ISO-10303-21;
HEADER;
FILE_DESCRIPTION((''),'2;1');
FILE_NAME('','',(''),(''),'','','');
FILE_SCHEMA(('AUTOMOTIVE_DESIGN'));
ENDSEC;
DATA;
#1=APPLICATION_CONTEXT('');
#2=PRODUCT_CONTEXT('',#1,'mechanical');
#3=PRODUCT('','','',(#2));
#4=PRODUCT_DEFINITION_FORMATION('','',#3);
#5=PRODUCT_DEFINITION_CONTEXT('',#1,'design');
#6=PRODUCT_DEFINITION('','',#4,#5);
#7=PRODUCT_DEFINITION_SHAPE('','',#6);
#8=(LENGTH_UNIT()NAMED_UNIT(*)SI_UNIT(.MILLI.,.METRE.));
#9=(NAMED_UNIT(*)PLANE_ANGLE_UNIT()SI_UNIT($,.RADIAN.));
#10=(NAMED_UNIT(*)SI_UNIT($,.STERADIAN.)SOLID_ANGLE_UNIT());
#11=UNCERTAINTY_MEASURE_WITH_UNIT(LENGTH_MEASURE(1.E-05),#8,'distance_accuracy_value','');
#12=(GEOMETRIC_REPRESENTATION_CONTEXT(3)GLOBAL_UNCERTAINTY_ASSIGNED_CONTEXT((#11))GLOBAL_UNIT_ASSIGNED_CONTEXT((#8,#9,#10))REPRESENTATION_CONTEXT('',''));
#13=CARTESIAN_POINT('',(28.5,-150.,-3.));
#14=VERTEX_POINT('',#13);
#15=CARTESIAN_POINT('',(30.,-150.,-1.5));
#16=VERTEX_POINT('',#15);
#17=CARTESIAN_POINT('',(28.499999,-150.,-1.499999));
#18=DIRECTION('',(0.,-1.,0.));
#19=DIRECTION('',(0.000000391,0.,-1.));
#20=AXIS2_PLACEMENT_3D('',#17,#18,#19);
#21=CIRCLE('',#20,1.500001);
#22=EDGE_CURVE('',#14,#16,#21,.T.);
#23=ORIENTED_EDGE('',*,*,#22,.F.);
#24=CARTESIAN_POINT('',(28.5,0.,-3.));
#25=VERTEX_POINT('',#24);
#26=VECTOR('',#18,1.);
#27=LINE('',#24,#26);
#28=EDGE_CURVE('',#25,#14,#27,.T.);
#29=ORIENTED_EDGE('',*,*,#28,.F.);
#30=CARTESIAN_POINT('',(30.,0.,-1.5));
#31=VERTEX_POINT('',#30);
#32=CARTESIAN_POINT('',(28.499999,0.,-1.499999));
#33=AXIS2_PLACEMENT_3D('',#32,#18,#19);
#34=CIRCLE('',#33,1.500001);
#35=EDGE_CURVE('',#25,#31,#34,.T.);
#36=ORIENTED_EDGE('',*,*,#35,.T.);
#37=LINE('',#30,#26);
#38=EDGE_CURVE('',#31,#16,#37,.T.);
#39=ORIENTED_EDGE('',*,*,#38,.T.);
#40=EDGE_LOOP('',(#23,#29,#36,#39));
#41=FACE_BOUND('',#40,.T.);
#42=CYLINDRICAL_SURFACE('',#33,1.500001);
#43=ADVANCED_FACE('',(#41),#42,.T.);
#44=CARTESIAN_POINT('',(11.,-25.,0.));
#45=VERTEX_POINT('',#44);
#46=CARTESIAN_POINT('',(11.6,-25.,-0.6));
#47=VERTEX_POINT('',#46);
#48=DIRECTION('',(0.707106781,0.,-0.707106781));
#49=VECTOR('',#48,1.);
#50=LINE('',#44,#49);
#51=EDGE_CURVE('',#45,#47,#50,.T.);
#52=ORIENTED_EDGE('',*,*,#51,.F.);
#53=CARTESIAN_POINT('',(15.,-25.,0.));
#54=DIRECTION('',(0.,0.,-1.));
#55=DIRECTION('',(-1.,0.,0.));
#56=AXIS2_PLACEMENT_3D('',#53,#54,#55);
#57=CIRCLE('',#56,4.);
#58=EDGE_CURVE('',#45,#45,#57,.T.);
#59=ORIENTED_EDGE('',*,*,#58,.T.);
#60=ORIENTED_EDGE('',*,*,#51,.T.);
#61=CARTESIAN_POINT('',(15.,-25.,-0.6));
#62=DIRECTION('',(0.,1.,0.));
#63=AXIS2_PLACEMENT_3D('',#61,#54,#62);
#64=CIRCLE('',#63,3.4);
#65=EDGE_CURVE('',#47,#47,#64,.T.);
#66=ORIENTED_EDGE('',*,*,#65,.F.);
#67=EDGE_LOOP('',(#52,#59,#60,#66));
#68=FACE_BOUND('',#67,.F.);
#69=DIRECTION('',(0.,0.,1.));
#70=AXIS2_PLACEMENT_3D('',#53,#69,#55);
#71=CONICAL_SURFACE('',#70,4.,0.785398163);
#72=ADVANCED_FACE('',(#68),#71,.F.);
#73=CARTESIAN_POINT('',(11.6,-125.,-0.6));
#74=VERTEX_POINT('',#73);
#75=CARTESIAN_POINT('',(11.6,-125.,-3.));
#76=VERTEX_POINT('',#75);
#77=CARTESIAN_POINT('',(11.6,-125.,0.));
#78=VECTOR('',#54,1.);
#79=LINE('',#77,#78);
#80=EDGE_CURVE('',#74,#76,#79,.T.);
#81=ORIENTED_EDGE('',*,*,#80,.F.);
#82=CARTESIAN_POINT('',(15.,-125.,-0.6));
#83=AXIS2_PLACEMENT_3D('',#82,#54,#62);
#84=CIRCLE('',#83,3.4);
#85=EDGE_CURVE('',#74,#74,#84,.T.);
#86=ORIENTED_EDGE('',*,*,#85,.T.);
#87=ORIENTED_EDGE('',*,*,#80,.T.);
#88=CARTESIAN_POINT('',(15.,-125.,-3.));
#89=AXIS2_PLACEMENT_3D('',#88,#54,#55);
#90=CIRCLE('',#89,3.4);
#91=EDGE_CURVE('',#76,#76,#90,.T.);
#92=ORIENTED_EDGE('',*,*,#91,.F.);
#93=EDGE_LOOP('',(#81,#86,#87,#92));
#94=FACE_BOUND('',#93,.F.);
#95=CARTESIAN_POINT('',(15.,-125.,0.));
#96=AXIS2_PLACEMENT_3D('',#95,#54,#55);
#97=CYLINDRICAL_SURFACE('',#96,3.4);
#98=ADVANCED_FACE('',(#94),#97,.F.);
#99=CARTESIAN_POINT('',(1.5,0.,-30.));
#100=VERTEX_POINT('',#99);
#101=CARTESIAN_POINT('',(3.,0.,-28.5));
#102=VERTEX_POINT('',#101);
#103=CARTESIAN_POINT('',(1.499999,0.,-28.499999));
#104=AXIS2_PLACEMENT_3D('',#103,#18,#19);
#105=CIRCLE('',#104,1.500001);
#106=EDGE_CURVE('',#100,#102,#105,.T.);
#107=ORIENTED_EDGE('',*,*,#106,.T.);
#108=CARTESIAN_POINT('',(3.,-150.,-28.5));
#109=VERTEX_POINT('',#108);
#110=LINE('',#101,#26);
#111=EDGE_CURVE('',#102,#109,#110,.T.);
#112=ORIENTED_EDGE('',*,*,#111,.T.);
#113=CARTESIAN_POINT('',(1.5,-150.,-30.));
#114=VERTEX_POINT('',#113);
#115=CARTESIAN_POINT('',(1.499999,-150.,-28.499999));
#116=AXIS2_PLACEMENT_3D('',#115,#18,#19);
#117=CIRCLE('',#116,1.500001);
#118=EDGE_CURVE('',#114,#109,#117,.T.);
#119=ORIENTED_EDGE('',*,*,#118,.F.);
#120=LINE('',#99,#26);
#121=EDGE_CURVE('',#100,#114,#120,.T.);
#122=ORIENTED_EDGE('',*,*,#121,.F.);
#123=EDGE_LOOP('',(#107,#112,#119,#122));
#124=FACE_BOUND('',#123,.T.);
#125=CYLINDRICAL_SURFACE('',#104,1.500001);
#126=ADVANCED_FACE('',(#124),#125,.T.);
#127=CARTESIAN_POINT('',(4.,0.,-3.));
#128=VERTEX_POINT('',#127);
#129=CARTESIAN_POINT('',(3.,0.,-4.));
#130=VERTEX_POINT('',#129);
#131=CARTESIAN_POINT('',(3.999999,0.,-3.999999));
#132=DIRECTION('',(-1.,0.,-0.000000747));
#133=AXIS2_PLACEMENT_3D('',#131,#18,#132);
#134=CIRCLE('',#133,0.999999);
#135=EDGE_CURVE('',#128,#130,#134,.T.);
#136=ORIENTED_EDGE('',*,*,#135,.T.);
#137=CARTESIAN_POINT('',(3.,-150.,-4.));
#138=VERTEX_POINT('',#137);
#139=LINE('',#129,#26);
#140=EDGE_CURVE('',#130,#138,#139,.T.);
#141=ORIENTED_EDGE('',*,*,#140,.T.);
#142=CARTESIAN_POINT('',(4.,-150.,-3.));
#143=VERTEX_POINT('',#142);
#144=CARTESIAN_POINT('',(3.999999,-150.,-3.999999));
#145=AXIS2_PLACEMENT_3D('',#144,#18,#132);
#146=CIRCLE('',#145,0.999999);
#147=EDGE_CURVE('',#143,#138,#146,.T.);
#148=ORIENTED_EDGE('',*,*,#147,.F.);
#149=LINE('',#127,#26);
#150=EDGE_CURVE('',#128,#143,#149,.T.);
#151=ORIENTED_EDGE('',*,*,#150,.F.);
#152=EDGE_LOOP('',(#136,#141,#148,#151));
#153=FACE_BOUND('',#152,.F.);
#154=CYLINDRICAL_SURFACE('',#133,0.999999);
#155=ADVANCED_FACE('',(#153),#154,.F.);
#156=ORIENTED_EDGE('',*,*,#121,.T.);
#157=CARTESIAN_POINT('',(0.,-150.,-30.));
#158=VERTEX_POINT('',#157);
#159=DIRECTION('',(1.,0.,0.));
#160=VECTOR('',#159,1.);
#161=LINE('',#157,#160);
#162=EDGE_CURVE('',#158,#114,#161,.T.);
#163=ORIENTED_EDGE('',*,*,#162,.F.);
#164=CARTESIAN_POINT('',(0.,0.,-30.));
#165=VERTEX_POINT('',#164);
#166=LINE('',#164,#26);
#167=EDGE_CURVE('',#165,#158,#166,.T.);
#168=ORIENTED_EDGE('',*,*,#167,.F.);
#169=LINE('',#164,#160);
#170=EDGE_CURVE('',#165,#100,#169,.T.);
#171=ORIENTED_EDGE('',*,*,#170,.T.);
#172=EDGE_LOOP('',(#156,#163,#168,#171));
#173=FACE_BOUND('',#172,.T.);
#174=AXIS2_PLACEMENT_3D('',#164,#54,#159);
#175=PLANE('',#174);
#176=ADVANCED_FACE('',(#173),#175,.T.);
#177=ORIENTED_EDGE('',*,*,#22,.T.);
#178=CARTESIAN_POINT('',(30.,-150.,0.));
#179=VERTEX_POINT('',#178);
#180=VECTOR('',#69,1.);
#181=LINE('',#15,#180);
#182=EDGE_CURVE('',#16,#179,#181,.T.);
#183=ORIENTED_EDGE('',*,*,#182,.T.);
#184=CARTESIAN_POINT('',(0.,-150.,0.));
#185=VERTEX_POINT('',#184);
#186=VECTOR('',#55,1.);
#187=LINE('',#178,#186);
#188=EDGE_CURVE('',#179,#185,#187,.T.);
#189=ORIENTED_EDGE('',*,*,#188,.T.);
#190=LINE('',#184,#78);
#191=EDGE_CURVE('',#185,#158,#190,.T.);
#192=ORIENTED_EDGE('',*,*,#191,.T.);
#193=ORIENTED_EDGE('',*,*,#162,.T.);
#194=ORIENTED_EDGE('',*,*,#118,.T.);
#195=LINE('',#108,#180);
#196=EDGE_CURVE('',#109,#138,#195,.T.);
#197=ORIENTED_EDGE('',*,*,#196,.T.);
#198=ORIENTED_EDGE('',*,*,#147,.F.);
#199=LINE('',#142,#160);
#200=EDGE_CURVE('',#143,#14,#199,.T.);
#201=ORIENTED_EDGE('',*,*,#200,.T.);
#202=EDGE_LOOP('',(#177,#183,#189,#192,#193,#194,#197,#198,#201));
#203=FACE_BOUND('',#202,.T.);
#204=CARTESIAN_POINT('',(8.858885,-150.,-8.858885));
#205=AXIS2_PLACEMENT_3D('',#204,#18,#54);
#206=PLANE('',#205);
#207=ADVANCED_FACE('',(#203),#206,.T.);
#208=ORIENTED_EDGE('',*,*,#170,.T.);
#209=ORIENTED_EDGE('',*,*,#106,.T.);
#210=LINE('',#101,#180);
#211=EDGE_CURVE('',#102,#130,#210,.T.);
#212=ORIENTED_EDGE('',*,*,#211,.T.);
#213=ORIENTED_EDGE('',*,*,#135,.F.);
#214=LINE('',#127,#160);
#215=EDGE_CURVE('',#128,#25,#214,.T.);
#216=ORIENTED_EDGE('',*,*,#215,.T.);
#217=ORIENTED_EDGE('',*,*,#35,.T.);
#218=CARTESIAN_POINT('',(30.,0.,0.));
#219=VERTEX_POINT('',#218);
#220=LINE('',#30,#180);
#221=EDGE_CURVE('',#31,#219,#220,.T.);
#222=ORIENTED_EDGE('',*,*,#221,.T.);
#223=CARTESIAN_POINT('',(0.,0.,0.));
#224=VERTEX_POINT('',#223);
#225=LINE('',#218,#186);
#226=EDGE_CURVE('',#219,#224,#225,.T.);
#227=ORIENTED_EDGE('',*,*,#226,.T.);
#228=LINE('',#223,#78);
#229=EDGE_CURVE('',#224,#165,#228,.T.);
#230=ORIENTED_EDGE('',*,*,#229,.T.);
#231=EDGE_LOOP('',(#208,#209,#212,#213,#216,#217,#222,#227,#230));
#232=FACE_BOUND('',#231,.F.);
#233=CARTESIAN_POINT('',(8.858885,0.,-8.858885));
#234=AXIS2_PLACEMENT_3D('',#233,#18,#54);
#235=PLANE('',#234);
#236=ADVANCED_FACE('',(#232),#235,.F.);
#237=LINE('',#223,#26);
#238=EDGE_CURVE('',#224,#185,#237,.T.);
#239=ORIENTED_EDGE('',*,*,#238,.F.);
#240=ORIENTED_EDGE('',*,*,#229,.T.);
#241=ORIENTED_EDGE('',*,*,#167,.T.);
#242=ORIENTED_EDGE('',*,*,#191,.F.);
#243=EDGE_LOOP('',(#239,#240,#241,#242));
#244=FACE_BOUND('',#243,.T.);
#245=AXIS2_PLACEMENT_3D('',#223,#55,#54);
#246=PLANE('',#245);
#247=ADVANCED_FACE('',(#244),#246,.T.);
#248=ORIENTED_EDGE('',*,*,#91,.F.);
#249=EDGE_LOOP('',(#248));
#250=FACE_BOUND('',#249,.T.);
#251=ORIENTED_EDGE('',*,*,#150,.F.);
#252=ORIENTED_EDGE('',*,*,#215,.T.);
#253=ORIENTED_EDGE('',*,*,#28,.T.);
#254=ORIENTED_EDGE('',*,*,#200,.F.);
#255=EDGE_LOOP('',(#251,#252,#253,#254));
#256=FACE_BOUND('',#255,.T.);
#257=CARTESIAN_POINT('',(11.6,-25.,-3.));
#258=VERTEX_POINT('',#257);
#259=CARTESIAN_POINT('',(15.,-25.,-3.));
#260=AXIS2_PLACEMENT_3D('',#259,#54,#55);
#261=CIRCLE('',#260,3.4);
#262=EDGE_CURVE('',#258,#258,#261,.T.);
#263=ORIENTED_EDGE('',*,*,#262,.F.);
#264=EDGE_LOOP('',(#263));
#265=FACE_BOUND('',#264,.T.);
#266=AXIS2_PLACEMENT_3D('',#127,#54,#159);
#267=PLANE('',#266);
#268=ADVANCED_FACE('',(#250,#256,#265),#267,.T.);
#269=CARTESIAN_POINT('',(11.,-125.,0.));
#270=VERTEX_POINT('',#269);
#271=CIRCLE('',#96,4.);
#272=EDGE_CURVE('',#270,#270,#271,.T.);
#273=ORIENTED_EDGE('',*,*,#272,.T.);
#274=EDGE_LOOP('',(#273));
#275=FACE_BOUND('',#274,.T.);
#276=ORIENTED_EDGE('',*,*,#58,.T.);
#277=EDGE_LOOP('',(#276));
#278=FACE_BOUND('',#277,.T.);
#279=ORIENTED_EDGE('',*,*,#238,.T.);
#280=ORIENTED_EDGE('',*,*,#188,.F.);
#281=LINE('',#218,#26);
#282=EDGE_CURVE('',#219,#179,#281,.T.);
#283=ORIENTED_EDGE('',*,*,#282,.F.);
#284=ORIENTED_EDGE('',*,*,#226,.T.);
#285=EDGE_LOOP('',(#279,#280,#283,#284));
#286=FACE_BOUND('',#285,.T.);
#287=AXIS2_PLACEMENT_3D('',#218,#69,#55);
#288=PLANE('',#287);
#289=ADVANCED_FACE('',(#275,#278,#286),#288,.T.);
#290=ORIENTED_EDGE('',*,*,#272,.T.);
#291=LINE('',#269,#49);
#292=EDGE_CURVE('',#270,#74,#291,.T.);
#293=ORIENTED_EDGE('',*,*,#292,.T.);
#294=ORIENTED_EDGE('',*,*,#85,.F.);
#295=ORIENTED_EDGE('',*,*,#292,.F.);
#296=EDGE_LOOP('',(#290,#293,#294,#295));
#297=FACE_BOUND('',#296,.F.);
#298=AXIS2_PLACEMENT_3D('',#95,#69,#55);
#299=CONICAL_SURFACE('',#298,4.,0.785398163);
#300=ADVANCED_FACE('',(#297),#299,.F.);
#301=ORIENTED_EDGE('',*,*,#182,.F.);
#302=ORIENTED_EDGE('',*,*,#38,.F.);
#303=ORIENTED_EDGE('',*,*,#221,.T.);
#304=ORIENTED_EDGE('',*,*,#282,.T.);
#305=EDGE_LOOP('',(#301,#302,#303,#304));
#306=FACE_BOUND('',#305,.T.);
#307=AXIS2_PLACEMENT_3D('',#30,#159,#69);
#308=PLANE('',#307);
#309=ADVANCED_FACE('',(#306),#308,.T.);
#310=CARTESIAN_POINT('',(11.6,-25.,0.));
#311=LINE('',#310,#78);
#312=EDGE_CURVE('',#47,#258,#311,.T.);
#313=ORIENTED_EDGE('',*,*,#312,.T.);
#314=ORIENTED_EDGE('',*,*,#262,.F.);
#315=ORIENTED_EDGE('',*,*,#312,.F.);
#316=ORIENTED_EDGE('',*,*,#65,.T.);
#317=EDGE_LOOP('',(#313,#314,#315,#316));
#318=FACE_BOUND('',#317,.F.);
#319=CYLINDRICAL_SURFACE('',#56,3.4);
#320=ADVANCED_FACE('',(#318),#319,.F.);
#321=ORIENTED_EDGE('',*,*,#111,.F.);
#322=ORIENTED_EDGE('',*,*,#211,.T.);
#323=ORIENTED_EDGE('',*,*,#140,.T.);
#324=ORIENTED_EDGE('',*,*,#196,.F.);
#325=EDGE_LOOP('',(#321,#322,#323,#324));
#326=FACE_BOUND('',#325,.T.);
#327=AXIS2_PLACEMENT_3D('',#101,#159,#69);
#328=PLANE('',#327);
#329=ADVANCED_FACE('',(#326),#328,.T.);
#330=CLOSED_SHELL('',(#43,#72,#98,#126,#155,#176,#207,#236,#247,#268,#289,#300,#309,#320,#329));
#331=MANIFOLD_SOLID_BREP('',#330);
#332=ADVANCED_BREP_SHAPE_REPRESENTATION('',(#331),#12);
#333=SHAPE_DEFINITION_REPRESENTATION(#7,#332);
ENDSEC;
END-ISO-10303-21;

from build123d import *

# Parameters (mm, degrees)
F4_D           = 6.8
F4_DEPTH       = 5
F4_CSINK_D     = 8
F4_CSINK_ANGLE = 90


with BuildPart() as f2:
    # F2: sweep along a path in F1
    with BuildLine(Plane.YZ) as f2_path:
        Line((0, 0), (-150, 0))
    # F0 (on Front) → F2 (sweep)
    with BuildSketch(Plane.XZ):
        with BuildLine():
            Line((30, 0), (0, 0))
            Line((0, 0), (0, -30))
            Line((0, -30), (1.5, -30))
            ThreePointArc((1.5, -30), (2.56066, -29.56066), (3, -28.5))
            Line((3, -28.5), (3, -4))
            ThreePointArc((3, -4), (3.292893, -3.292893), (4, -3))
            Line((4, -3), (28.5, -3))
            ThreePointArc((28.5, -3), (29.56066, -2.56066), (30, -1.5))
            Line((30, -1.5), (30, 0))
        make_face()
    sweep(path=f2_path.line)

    # F4
    with Locations(Plane.XY):
        with Locations((15, -125), (15, -25)):
            CounterSinkHole(F4_D / 2, F4_CSINK_D / 2, depth=F4_DEPTH, counter_sink_angle=F4_CSINK_ANGLE)


solid = f2.part
